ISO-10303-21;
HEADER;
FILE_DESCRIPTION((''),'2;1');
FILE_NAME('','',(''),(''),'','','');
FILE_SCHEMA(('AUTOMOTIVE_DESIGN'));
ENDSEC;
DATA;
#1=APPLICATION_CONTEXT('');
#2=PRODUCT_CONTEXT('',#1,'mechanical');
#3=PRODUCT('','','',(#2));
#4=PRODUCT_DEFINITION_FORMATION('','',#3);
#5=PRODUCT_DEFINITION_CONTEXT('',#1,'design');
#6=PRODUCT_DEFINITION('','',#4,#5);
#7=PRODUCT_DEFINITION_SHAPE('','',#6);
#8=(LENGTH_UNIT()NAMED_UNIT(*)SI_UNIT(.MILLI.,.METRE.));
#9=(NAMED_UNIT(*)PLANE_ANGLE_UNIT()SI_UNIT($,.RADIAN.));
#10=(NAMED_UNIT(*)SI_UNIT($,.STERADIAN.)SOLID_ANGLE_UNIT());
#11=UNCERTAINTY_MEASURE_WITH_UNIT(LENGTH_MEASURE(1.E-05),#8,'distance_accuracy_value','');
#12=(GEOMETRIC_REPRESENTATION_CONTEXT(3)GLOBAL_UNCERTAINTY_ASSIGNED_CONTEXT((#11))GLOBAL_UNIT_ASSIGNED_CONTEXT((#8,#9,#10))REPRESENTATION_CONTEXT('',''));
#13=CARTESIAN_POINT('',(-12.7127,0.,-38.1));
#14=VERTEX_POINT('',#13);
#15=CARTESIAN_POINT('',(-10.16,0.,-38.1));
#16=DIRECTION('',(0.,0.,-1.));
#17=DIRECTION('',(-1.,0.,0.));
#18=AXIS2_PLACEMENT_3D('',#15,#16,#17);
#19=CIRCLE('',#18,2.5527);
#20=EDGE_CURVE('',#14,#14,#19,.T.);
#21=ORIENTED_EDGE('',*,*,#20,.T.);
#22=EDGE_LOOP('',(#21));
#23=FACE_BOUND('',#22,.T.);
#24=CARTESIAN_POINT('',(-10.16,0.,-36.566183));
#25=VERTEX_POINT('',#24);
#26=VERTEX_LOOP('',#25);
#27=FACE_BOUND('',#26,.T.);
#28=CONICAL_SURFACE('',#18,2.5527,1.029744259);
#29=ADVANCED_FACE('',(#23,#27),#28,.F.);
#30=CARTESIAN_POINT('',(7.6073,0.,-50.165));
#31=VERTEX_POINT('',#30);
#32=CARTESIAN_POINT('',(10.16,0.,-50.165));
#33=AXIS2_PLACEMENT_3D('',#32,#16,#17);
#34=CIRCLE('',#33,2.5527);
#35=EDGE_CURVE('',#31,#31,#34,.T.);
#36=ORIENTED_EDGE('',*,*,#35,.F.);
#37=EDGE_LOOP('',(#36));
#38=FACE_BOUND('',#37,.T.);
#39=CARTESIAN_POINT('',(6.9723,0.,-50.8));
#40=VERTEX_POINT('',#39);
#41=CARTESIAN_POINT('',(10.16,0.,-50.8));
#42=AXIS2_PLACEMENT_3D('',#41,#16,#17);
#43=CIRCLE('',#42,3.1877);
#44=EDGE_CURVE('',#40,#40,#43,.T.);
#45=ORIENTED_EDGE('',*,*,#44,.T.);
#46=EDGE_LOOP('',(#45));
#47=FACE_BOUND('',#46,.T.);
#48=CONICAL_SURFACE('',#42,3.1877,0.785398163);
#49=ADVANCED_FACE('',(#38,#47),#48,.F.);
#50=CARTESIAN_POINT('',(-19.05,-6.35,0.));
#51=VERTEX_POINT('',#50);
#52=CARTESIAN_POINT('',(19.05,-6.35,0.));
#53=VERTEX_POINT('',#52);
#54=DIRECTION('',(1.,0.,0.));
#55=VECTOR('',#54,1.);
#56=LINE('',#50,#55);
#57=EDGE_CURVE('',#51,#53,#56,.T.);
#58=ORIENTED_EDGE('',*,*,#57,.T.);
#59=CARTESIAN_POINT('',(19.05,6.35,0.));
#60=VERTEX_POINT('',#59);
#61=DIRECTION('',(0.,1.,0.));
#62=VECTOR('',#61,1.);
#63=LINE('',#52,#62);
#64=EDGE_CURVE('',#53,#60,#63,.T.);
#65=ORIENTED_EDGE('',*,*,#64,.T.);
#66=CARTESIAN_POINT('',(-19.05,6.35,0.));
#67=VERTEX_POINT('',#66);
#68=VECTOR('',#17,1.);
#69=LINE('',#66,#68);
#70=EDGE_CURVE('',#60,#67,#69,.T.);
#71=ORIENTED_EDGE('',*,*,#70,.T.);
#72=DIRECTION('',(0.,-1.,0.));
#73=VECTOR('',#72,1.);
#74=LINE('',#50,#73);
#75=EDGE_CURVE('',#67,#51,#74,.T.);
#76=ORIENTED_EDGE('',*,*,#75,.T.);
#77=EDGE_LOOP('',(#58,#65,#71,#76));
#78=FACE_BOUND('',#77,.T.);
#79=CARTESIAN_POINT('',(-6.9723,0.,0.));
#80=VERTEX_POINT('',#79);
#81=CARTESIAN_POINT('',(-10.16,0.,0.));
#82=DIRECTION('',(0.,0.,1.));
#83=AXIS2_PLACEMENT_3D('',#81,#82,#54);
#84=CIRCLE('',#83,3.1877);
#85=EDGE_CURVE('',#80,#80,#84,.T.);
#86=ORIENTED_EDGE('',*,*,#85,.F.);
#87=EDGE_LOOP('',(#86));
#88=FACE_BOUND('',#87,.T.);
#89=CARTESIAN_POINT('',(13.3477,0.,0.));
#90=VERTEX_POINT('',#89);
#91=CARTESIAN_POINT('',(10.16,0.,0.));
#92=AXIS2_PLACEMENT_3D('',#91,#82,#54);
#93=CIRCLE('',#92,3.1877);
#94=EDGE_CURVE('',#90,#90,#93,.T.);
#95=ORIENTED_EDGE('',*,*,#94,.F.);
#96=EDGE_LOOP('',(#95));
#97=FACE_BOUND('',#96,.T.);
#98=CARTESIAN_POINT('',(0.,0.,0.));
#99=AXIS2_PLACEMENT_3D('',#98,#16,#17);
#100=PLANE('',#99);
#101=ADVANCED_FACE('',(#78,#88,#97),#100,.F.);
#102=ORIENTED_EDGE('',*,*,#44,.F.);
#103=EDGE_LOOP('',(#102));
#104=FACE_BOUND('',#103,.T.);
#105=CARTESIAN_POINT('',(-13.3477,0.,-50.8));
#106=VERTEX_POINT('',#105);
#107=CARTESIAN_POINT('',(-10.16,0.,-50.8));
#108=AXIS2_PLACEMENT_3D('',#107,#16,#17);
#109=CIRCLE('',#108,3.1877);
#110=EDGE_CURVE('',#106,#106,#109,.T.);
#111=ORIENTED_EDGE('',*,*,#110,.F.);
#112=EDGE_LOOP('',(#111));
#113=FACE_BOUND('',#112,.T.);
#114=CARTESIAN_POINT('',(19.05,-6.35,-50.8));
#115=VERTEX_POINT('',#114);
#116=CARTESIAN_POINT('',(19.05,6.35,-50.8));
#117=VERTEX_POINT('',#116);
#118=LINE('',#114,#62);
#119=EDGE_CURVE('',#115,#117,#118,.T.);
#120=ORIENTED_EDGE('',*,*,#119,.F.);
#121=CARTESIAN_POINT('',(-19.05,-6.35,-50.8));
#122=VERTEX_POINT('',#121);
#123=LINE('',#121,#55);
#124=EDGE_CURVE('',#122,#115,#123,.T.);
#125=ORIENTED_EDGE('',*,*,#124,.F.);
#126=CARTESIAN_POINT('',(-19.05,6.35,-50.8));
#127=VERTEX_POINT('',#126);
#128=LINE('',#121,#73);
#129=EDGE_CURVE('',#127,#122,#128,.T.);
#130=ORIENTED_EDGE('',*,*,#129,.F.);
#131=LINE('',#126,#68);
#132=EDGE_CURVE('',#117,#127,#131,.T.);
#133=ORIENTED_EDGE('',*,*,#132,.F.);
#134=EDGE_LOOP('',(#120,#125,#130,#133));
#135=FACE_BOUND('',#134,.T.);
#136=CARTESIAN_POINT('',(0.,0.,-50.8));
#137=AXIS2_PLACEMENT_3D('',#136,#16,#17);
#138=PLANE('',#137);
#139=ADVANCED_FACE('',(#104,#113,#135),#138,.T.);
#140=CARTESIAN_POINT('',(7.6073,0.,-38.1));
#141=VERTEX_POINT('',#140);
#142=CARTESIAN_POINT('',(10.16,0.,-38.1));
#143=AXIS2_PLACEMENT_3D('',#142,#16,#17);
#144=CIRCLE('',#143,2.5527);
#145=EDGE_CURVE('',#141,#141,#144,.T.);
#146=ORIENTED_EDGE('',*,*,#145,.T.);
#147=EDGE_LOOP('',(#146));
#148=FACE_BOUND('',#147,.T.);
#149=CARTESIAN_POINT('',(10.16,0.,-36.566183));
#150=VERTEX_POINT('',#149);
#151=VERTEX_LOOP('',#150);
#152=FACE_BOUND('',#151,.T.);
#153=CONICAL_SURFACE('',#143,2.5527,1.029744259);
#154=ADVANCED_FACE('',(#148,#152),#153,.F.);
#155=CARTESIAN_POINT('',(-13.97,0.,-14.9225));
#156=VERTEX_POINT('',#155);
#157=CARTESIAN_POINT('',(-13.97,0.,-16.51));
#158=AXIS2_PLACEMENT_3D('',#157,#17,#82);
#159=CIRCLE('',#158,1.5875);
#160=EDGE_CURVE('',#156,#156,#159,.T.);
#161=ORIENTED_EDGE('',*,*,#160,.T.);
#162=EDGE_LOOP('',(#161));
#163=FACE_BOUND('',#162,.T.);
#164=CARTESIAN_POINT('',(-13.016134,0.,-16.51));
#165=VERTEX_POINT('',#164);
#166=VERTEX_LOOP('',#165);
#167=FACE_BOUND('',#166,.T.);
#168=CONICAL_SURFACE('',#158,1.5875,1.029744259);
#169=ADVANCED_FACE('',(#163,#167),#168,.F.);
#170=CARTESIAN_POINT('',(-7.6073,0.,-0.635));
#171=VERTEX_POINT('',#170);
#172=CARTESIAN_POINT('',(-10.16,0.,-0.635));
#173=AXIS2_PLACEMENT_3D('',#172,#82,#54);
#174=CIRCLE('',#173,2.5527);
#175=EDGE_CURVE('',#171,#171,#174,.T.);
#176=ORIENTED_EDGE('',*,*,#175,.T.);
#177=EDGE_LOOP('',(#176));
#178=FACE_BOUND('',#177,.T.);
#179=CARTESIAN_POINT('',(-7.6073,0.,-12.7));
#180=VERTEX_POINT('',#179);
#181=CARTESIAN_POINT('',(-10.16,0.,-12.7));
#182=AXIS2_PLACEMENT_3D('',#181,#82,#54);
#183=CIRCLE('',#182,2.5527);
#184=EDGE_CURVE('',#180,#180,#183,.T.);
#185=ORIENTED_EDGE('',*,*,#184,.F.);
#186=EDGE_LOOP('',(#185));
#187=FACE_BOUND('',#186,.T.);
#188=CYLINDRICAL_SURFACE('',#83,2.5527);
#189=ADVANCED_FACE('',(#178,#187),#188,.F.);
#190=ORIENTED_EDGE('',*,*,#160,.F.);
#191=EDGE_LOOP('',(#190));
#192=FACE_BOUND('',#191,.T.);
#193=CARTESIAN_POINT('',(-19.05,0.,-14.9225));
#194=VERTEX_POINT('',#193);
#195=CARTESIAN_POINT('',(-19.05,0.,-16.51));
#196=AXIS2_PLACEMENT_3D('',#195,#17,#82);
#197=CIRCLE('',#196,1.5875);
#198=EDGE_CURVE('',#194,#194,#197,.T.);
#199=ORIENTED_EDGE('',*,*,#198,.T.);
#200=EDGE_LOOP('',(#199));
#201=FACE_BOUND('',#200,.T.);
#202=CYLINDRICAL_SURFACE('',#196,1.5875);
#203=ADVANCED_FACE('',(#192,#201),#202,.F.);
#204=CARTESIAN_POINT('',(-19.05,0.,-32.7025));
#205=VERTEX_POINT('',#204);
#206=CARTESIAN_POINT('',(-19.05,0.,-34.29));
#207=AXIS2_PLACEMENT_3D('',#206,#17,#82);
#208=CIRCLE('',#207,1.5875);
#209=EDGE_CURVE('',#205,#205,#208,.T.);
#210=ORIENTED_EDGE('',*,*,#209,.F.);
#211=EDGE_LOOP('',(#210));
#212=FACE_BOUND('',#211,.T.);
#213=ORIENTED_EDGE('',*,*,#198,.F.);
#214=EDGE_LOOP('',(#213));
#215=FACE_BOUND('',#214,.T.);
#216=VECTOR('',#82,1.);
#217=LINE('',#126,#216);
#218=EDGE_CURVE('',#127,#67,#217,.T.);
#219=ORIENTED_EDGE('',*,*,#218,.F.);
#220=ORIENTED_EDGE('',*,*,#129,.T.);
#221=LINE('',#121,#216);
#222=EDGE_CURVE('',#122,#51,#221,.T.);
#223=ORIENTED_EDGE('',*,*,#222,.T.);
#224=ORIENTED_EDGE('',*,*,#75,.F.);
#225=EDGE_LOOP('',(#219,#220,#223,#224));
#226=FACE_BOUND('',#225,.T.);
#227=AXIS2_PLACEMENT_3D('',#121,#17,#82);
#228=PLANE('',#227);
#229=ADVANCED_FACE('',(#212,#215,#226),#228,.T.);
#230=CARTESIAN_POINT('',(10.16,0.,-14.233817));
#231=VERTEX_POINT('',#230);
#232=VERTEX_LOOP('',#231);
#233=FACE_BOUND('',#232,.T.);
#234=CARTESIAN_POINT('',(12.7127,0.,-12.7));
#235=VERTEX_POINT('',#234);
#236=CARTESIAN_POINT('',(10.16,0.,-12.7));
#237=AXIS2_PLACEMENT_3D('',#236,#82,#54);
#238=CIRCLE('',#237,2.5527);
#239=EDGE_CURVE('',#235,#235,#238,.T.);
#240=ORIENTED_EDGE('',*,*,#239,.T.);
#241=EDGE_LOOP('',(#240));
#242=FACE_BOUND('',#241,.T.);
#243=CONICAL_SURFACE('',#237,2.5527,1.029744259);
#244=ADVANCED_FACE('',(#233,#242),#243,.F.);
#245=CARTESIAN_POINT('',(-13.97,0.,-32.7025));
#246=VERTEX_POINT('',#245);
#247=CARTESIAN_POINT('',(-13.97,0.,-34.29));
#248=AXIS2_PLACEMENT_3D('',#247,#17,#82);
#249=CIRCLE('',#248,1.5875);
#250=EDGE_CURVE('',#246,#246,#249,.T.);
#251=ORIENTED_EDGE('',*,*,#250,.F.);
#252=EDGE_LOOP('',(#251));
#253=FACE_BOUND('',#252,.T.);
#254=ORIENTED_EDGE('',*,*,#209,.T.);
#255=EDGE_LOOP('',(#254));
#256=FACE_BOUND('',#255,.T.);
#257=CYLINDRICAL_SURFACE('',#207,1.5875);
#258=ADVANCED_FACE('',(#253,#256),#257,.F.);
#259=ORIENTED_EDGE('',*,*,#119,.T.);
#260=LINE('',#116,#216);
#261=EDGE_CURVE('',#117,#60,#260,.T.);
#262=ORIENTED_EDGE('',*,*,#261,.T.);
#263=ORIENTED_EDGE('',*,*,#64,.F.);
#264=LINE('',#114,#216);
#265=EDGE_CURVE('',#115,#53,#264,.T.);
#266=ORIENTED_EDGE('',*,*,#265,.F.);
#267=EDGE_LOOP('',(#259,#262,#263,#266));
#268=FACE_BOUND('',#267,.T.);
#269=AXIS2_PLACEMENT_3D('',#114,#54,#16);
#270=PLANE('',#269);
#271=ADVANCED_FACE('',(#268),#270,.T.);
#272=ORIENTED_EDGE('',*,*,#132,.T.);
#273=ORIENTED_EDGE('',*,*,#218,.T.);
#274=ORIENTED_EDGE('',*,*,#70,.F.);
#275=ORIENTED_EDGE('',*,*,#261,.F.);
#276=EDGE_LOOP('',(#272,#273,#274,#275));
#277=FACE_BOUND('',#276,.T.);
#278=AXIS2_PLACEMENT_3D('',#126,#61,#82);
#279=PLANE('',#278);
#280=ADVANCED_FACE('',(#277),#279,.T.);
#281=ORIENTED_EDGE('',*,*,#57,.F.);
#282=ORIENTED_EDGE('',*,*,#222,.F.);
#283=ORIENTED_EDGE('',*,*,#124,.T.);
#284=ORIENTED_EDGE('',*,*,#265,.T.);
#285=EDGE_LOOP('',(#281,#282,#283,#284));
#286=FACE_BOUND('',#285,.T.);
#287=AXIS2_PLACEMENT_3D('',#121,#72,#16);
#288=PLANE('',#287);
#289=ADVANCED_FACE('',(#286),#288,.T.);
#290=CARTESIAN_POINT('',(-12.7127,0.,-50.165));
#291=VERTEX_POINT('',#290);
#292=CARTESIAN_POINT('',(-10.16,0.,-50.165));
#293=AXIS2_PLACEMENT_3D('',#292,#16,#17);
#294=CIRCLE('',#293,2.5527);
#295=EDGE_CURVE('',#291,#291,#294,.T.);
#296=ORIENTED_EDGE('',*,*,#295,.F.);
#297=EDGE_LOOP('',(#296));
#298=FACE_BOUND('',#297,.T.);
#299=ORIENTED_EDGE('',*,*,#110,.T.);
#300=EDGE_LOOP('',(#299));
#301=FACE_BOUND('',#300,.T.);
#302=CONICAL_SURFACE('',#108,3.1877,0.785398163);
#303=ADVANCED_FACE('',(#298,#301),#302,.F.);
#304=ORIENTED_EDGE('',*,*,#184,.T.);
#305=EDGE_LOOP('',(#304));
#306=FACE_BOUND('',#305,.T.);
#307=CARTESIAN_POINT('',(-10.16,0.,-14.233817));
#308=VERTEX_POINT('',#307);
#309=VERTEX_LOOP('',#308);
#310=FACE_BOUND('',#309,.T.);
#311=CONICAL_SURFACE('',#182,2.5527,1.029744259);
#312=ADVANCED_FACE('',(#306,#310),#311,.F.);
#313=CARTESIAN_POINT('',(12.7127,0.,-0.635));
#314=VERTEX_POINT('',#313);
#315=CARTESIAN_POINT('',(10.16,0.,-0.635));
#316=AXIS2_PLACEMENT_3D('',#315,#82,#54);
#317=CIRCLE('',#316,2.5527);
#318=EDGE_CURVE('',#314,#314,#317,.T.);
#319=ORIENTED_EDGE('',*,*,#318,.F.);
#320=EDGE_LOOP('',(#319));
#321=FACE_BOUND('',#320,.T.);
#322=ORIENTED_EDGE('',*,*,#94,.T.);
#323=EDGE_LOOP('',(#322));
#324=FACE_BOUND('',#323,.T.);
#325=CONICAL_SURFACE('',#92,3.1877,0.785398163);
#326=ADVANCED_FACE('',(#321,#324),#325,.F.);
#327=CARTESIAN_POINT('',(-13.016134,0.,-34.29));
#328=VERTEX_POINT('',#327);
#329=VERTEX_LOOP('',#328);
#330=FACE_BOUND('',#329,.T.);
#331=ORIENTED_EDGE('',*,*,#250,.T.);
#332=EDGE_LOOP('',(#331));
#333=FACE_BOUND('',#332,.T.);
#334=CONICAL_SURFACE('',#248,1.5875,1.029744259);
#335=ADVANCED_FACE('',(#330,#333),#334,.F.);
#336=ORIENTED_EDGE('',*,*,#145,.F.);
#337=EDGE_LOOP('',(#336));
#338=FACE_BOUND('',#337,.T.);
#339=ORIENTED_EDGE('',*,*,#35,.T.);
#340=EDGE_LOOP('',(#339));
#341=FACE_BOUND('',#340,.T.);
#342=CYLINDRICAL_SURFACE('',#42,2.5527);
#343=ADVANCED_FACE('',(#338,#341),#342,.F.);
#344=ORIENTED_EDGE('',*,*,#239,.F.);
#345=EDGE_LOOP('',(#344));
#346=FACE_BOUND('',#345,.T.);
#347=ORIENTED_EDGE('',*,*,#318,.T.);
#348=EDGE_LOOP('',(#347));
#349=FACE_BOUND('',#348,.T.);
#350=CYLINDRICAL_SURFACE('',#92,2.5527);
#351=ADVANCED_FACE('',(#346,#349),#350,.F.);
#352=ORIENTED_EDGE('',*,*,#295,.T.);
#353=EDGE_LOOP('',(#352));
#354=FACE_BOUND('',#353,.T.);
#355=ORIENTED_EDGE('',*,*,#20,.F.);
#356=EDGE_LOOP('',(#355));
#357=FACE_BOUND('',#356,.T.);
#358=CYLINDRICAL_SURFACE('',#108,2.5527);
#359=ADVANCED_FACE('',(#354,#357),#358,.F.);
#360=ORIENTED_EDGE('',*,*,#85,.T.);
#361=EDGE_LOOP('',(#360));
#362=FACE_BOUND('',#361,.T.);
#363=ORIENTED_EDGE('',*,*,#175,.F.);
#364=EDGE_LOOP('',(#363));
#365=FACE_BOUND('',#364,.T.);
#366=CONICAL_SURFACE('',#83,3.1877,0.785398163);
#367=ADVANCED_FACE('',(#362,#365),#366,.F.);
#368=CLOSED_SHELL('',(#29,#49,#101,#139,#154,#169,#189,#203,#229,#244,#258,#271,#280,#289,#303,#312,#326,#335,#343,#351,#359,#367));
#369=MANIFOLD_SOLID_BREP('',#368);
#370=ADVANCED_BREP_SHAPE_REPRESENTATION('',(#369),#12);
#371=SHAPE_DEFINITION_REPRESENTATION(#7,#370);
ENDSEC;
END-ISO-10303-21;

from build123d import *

# Parameters (mm, degrees)
SKETCH1_W                        = 38.1
SKETCH1_H                        = 12.7
BOSS_EXTRUDE1_DEPTH              = 50.8
F_1_4_20_TAPPED_HOLE1_AT_2_COUNT = 2
F_1_4_20_TAPPED_HOLE1_AT_2_PITCH = 20.32
F_1_8_0_125_DIAMETER_HOLE1_D     = 3.175
F_1_8_0_125_DIAMETER_HOLE1_DEPTH = 5.08
F_1_8_0_125_DIAMETER_HOLE1_TIP   = 0.953866233


with BuildPart() as part:
    # Sketch1 → Boss-Extrude1 (new body)
    with BuildSketch(Plane.XY):
        Rectangle(SKETCH1_W, SKETCH1_H)
    extrude(amount=-BOSS_EXTRUDE1_DEPTH)

    # Sketch4 → 1/4-20 Tapped Hole1 (revolve, cut)
    with BuildSketch(Plane(origin=(-10.16, 0, 0), x_dir=(0, -1, 0), z_dir=(1, 0, 0))):
        Polygon((0, 0), (0, 14.233816902), (2.5527, 12.7), (2.5527, 0.635), (3.1877, 0), align=None)
    f_1_4_20_tapped_hole1 = revolve(axis=Axis((-10.16, 0, 6.35), (0, 0, -1)), mode=Mode.SUBTRACT)

    # 1/4-20 Tapped Hole1 at 2: 1/4-20 Tapped Hole1 ×2
    with Locations(*[(i * F_1_4_20_TAPPED_HOLE1_AT_2_PITCH, 0, 0) for i in range(1, F_1_4_20_TAPPED_HOLE1_AT_2_COUNT)]):
        add(f_1_4_20_tapped_hole1, mode=Mode.SUBTRACT)

    # Mirror1: 1/4-20 Tapped Hole1 across plane
    add(f_1_4_20_tapped_hole1.mirror(Plane.XY.offset(-25.4)), mode=Mode.SUBTRACT)

    # Mirror1 copy 1 sketch → Mirror1 copy 1 (revolve, cut)
    with BuildSketch(Plane(origin=(10.16, 0, -50.8), x_dir=(0, -1, 0), z_dir=(1, 0, 0))):
        Polygon((0, 0), (0, -14.233816902), (2.5527, -12.7), (2.5527, -0.635), (3.1877, 0), align=None)
    revolve(axis=Axis((10.16, 0, -57.15), (0, 0, -1)), mode=Mode.SUBTRACT)

    # 1/8 (0.125) Diameter Hole1
    with Locations(Plane.ZY.offset(19.05)):
        with Locations((-34.29, 0), (-16.51, 0)):
            Hole(F_1_8_0_125_DIAMETER_HOLE1_D / 2, depth=F_1_8_0_125_DIAMETER_HOLE1_DEPTH)
            with Locations((0, 0, -(F_1_8_0_125_DIAMETER_HOLE1_DEPTH + F_1_8_0_125_DIAMETER_HOLE1_TIP / 2))):  # 118° drill point
                Cone(0, F_1_8_0_125_DIAMETER_HOLE1_D / 2, F_1_8_0_125_DIAMETER_HOLE1_TIP, mode=Mode.SUBTRACT)


solid = part.part
